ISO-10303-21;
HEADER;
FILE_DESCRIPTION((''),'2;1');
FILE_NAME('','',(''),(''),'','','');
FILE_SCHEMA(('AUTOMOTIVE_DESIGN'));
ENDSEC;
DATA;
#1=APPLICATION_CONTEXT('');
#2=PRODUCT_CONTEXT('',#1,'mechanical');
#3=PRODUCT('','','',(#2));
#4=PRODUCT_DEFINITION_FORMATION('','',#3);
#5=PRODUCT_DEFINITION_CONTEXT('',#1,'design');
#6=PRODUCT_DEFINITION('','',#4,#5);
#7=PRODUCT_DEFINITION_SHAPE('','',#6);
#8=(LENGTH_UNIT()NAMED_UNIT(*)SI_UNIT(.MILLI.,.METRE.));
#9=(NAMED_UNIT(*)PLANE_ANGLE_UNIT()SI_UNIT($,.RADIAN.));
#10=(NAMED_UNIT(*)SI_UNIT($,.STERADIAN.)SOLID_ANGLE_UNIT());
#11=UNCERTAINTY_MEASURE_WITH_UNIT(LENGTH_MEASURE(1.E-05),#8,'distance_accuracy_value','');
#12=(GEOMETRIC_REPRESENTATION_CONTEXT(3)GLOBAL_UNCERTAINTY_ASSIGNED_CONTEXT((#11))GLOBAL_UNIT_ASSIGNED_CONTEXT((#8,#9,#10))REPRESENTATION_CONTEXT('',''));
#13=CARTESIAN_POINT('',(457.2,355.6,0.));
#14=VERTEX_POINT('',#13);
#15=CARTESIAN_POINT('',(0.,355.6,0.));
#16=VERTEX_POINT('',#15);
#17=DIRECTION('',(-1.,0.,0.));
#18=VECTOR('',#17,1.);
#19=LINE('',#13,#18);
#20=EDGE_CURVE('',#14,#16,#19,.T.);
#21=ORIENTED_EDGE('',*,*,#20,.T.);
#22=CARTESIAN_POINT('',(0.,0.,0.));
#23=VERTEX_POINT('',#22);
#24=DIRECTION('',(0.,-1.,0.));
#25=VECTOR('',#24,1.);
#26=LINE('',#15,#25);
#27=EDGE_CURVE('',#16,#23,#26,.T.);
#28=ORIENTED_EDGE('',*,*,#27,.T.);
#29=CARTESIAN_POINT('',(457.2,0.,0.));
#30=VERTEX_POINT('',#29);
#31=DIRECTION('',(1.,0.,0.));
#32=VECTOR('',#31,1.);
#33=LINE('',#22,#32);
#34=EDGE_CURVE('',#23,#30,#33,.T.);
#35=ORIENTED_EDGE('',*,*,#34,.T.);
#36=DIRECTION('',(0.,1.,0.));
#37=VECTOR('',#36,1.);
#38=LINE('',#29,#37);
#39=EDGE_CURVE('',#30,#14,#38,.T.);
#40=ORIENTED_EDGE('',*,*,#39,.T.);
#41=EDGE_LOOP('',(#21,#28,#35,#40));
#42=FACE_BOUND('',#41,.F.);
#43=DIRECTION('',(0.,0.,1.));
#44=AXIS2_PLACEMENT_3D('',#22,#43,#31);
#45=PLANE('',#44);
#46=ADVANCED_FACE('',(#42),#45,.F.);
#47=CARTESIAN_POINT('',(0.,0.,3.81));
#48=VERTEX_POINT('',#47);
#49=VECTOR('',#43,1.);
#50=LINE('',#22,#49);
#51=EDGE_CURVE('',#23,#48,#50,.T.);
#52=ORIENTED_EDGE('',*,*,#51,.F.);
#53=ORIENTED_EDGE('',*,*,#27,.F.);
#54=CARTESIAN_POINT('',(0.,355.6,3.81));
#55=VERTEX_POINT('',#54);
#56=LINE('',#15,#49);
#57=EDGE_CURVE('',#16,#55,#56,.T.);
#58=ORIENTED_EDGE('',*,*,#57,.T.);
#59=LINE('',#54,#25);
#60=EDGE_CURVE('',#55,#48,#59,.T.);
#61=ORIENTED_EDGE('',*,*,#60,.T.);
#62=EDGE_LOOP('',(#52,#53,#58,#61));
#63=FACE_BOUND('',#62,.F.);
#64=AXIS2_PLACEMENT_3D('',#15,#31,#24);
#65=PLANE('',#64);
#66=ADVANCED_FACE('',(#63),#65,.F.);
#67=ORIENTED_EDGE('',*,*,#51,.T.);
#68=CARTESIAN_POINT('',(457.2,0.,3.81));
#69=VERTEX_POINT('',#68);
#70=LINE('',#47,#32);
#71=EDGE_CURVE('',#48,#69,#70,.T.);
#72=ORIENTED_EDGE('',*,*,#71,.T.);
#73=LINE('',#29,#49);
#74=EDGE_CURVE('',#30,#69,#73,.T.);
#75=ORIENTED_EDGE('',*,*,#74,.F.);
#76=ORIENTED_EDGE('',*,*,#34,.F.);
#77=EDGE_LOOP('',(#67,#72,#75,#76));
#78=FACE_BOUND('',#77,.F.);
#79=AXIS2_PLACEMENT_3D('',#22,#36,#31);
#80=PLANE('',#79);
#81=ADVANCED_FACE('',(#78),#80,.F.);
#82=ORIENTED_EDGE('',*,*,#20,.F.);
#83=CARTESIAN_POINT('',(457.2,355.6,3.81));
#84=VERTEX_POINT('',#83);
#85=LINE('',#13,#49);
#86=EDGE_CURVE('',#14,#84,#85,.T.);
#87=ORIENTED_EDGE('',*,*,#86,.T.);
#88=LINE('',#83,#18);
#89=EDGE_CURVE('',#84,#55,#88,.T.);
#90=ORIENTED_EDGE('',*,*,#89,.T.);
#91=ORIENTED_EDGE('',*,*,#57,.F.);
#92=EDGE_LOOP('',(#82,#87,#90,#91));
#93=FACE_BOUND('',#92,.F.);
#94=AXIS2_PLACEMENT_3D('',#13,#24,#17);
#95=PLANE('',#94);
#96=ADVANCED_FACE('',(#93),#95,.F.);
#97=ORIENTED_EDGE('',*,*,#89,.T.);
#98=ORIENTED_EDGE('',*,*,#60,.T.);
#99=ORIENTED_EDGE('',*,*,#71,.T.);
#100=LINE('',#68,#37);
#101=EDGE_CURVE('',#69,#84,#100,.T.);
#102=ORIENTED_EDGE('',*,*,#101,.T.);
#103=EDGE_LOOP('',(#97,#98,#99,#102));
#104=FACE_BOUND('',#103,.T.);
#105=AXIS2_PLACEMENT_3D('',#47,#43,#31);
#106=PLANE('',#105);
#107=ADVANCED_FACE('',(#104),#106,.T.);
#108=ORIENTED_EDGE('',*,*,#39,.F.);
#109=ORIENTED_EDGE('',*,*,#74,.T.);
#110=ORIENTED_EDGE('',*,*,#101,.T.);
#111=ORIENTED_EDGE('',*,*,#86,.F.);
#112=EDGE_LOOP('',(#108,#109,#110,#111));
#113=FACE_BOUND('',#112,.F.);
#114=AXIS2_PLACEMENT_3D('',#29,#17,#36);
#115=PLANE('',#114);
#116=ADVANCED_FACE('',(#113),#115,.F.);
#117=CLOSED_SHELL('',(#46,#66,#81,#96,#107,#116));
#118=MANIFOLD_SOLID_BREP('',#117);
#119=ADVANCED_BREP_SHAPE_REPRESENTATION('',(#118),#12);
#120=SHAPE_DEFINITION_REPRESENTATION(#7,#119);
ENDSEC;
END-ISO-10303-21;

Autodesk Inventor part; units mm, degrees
ref_plane "YZ Plane" through (0, 0, 0) normal (1, 0, 0) x (0, 1, 0)
ref_plane "XZ Plane" through (0, 0, 0) normal (0, 1, 0) x (-1, 0, 0)
ref_plane "XY Plane" through (0, 0, 0) normal (0, 0, 1) x (1, 0, 0)
sketch "Sketch1" plane through (0, 0, 0) normal (0, 0, 1) x (1, 0, 0)
  line L0 (0, 0) -> (457.2, 0)
  line L1 (457.2, 0) -> (457.2, 355.6)
  line L2 (457.2, 355.6) -> (0, 355.6)
  line L3 (0, 355.6) -> (0, 0)
  dimension "d0" = 457.2
  dimension "d1" = 355.6
extrude "Extrusion1" add sketch "Sketch1" along normal blind 3.81
properties part number "bellypan"
